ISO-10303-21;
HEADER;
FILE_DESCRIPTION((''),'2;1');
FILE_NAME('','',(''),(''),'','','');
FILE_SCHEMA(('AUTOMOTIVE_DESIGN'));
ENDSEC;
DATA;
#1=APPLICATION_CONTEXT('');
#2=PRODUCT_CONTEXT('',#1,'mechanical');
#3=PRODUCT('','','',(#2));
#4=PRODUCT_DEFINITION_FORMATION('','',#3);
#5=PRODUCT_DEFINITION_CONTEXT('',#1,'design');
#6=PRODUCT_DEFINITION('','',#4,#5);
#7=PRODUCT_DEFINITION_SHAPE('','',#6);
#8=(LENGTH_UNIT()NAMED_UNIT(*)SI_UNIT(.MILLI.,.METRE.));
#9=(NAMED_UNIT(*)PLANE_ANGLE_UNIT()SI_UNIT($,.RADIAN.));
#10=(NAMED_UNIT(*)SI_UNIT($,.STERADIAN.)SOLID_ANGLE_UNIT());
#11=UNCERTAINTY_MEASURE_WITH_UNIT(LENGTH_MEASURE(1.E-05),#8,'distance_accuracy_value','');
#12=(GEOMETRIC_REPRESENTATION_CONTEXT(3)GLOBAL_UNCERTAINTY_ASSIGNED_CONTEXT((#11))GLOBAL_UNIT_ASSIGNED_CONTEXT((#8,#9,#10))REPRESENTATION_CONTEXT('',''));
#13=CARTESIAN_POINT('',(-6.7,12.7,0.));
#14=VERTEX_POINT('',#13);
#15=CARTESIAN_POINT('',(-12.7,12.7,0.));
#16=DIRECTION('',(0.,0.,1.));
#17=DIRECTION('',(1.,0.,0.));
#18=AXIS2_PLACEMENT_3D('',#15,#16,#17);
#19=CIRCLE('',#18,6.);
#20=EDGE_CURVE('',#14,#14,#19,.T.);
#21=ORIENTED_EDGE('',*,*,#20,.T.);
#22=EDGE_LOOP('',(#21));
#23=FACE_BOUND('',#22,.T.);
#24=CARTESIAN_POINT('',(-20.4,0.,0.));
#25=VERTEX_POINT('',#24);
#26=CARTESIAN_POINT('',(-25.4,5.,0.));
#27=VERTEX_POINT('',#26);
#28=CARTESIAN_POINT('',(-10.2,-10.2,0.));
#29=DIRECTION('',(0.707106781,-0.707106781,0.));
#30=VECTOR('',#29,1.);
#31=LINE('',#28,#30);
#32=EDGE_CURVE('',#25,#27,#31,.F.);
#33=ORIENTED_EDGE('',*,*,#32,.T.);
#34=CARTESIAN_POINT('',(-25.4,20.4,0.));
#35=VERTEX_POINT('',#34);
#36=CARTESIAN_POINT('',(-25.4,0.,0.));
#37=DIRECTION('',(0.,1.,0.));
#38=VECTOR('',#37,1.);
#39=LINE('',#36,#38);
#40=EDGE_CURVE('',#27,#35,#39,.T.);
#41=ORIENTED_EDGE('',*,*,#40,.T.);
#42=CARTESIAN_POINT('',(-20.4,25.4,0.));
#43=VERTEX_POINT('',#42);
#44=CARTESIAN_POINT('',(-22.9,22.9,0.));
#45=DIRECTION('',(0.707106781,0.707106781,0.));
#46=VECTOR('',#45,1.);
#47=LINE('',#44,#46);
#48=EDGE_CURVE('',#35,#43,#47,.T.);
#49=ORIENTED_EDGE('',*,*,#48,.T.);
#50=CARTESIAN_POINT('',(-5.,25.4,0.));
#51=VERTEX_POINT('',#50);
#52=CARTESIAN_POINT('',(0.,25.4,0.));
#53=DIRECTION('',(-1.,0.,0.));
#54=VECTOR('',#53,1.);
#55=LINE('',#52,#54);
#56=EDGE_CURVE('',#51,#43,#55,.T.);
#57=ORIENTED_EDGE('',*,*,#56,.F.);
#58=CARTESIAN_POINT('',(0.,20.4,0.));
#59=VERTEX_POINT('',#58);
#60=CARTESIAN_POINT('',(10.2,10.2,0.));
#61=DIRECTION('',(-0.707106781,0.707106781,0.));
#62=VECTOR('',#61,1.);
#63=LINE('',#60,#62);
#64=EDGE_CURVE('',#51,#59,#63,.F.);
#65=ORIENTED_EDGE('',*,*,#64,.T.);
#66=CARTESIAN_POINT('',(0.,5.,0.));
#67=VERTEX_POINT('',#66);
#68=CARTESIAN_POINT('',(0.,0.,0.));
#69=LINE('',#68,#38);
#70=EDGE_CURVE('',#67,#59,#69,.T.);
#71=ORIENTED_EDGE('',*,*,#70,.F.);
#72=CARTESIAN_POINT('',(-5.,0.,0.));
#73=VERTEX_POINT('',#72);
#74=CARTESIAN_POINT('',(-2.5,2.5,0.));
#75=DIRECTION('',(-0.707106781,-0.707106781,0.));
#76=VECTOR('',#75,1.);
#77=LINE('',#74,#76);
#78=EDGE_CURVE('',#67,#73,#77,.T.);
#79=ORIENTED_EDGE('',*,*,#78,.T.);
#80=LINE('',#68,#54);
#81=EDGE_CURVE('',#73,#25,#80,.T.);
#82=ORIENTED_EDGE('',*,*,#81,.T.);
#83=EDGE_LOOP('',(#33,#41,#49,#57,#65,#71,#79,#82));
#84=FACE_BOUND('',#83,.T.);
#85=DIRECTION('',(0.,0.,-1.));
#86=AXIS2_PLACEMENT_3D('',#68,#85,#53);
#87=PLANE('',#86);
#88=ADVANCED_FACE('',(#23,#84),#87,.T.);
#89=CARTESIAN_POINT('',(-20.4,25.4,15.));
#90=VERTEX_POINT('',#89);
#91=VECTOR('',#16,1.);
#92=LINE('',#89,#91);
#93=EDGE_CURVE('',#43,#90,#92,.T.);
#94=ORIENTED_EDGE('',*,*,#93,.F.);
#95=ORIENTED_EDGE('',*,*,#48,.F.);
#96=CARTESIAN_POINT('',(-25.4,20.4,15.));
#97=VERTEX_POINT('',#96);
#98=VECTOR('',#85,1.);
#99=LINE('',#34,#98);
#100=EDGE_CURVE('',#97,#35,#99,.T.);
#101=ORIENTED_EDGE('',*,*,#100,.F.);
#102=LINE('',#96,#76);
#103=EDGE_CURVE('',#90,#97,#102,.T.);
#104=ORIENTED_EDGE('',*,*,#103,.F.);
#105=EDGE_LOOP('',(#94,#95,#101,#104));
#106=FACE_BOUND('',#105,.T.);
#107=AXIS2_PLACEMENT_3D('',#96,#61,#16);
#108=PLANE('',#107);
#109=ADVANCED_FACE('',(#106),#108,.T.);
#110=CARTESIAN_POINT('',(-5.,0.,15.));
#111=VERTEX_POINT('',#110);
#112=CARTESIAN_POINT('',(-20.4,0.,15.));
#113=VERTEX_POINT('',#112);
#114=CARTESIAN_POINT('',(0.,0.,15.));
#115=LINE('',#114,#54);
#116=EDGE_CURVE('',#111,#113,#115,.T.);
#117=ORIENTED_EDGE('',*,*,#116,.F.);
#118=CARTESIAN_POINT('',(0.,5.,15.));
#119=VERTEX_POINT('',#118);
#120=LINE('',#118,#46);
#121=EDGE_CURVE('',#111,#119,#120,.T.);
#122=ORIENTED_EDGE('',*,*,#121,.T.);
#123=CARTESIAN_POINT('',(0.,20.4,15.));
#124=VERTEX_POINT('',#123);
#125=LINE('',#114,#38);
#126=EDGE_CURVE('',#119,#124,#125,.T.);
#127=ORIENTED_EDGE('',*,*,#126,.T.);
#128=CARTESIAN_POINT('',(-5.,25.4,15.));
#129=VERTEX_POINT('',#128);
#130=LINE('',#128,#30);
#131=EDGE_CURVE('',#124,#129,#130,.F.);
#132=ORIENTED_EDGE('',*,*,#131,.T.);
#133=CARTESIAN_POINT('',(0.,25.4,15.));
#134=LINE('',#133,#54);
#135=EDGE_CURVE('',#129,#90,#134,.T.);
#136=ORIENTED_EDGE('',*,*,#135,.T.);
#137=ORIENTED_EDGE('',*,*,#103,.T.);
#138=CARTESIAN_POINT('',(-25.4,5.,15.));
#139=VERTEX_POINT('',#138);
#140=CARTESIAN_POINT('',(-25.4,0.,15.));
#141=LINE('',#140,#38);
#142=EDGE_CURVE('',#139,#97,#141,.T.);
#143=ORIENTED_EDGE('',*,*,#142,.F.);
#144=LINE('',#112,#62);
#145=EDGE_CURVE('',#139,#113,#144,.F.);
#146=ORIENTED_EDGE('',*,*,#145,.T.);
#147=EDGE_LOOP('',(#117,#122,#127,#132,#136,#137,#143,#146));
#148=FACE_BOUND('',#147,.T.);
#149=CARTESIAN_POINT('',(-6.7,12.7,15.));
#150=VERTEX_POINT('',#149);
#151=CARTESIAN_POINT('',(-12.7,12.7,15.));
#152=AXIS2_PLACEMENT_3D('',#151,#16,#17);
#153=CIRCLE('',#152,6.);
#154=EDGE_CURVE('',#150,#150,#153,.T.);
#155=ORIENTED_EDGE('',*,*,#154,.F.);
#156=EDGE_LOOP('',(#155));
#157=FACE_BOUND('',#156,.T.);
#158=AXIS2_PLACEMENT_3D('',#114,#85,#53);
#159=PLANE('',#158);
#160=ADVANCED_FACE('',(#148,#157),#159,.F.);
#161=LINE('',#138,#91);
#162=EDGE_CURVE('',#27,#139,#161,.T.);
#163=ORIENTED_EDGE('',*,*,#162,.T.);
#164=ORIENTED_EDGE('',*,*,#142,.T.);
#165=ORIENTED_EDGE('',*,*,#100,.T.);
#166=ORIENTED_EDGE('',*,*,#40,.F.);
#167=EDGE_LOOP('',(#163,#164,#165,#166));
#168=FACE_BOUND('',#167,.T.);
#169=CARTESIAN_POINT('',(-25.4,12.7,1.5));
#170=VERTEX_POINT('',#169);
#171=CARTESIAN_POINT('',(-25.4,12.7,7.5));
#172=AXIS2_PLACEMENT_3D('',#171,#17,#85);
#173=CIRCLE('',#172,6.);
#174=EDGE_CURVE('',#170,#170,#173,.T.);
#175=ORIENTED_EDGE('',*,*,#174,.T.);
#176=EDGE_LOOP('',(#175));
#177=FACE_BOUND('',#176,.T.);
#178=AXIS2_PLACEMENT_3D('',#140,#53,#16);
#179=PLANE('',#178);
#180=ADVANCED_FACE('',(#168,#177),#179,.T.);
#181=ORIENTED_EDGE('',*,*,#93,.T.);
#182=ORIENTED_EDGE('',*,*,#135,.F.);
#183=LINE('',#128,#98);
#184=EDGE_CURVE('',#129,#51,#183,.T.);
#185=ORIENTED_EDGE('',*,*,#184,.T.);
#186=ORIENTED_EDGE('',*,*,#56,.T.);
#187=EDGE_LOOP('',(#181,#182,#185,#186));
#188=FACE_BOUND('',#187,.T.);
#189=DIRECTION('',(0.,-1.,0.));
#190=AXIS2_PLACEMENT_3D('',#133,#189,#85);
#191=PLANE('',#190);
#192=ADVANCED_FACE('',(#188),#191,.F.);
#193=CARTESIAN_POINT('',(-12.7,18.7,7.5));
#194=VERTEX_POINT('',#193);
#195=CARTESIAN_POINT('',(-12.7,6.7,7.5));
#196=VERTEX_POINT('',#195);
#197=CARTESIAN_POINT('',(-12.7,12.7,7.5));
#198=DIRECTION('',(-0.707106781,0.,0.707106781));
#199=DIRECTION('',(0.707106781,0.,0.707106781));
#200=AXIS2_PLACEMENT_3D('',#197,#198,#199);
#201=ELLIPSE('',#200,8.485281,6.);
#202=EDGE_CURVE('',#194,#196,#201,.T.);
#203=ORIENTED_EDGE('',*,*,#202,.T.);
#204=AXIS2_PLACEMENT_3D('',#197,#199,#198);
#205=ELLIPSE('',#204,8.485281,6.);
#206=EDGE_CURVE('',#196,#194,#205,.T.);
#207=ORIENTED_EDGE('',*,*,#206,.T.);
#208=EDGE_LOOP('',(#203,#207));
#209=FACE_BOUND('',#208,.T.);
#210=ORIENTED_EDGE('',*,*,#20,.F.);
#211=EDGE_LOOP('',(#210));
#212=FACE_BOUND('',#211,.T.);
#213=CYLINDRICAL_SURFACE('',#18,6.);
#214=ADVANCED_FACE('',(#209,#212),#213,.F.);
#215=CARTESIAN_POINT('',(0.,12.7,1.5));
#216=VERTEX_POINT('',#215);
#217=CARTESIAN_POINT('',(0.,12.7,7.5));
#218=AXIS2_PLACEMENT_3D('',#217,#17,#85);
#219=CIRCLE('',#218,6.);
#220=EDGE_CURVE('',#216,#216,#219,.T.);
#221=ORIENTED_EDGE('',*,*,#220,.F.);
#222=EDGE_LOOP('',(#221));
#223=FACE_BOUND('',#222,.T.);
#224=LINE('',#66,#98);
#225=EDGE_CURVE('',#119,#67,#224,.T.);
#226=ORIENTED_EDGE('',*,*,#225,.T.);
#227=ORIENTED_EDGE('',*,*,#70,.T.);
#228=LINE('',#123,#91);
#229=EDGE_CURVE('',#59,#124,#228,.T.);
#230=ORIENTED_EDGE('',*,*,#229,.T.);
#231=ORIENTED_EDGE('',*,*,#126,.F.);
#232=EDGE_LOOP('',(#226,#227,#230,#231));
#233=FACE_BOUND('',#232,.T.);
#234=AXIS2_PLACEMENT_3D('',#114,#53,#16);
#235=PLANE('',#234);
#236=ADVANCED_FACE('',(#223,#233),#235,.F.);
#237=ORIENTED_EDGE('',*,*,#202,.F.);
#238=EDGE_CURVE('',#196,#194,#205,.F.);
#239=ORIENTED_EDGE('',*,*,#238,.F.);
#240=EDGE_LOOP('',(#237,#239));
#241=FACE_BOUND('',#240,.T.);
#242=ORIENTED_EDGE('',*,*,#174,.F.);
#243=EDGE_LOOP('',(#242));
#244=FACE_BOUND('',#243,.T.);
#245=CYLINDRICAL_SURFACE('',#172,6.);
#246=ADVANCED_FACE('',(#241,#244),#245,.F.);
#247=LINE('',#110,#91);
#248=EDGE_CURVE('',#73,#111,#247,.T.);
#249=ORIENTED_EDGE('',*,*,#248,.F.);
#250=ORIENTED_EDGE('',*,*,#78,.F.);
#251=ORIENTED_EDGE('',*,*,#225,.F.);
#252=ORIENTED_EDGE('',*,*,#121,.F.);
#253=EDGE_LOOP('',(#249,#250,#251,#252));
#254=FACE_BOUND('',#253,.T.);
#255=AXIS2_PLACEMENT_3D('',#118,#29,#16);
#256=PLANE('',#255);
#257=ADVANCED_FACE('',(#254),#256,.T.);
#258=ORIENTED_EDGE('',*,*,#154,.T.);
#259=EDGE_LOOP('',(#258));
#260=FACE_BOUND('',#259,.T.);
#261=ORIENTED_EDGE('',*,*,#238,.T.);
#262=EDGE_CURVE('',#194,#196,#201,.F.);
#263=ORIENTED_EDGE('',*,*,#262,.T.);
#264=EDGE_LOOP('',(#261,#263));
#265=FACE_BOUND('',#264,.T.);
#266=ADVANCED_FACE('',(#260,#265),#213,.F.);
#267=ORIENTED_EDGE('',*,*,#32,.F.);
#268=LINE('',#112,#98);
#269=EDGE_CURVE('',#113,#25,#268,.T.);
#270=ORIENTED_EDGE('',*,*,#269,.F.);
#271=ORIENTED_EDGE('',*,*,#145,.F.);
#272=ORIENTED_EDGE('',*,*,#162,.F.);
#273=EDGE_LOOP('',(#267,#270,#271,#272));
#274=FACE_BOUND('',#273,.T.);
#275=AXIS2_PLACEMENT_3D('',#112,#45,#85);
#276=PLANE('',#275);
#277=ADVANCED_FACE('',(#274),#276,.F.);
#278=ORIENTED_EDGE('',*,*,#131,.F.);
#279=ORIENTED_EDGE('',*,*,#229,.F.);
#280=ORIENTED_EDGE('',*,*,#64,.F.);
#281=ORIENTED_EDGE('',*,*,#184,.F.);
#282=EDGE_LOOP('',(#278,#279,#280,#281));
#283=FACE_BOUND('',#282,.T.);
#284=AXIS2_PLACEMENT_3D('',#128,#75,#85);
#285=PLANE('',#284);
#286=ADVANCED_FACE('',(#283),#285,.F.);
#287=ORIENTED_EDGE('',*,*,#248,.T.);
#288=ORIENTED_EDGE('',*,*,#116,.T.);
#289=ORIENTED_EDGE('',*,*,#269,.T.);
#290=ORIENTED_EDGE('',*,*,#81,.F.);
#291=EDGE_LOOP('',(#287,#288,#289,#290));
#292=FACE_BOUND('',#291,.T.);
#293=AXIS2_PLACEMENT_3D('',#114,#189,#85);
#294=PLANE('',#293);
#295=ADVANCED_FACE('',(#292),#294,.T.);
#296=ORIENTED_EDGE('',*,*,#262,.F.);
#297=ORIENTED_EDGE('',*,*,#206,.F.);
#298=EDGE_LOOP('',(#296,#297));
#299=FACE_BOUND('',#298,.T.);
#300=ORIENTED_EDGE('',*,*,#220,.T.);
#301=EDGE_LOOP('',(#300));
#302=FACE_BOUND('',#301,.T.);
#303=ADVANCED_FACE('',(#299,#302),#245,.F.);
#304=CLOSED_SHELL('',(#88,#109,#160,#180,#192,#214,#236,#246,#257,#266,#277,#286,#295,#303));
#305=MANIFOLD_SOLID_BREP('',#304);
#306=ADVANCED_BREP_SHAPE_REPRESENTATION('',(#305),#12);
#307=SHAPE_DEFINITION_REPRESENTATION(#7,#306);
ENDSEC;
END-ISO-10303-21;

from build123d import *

# Parameters (mm, degrees)
SKETCH1_W           = 25.4
SKETCH1_H           = 25.4
BOSS_EXTRUDE1_DEPTH = 15
CHAMFER1_SIZE       = 5
SKETCH2_R           = 6
CUT_EXTRUDE1_DEPTH  = 39.927111375
SKETCH3_R           = 6
CUT_EXTRUDE2_DEPTH  = 39.927111375


with BuildPart() as part:
    # Sketch1 → Boss-Extrude1 (new body)
    with BuildSketch(Plane.XY):
        with Locations((-12.7, 12.7)):
            Rectangle(SKETCH1_W, SKETCH1_H)
    extrude(amount=BOSS_EXTRUDE1_DEPTH)

    # Chamfer1
    chamfer1_edges = [part.edges().sort_by_distance(p)[0] for p in [
        (0, 25.4, 7.5),
        (0, 0, 7.5),
        (-25.4, 0, 7.5),
        (-25.4, 25.4, 7.5),
    ]]
    chamfer(chamfer1_edges, length=CHAMFER1_SIZE)

    # Sketch2 → Cut-Extrude1 (cut, through all)
    with BuildSketch(Plane.XY.offset(15)):
        with Locations((-12.7, 12.7)):
            Circle(SKETCH2_R)
    extrude(amount=-CUT_EXTRUDE1_DEPTH, mode=Mode.SUBTRACT)

    # Sketch3 → Cut-Extrude2 (cut, through all)
    with BuildSketch(Plane(origin=(0, 0, 0), x_dir=(0, 0, -1), z_dir=(1, 0, 0))):
        with Locations((-7.5, 12.7)):
            Circle(SKETCH3_R)
    extrude(amount=-CUT_EXTRUDE2_DEPTH, mode=Mode.SUBTRACT)


solid = part.part
